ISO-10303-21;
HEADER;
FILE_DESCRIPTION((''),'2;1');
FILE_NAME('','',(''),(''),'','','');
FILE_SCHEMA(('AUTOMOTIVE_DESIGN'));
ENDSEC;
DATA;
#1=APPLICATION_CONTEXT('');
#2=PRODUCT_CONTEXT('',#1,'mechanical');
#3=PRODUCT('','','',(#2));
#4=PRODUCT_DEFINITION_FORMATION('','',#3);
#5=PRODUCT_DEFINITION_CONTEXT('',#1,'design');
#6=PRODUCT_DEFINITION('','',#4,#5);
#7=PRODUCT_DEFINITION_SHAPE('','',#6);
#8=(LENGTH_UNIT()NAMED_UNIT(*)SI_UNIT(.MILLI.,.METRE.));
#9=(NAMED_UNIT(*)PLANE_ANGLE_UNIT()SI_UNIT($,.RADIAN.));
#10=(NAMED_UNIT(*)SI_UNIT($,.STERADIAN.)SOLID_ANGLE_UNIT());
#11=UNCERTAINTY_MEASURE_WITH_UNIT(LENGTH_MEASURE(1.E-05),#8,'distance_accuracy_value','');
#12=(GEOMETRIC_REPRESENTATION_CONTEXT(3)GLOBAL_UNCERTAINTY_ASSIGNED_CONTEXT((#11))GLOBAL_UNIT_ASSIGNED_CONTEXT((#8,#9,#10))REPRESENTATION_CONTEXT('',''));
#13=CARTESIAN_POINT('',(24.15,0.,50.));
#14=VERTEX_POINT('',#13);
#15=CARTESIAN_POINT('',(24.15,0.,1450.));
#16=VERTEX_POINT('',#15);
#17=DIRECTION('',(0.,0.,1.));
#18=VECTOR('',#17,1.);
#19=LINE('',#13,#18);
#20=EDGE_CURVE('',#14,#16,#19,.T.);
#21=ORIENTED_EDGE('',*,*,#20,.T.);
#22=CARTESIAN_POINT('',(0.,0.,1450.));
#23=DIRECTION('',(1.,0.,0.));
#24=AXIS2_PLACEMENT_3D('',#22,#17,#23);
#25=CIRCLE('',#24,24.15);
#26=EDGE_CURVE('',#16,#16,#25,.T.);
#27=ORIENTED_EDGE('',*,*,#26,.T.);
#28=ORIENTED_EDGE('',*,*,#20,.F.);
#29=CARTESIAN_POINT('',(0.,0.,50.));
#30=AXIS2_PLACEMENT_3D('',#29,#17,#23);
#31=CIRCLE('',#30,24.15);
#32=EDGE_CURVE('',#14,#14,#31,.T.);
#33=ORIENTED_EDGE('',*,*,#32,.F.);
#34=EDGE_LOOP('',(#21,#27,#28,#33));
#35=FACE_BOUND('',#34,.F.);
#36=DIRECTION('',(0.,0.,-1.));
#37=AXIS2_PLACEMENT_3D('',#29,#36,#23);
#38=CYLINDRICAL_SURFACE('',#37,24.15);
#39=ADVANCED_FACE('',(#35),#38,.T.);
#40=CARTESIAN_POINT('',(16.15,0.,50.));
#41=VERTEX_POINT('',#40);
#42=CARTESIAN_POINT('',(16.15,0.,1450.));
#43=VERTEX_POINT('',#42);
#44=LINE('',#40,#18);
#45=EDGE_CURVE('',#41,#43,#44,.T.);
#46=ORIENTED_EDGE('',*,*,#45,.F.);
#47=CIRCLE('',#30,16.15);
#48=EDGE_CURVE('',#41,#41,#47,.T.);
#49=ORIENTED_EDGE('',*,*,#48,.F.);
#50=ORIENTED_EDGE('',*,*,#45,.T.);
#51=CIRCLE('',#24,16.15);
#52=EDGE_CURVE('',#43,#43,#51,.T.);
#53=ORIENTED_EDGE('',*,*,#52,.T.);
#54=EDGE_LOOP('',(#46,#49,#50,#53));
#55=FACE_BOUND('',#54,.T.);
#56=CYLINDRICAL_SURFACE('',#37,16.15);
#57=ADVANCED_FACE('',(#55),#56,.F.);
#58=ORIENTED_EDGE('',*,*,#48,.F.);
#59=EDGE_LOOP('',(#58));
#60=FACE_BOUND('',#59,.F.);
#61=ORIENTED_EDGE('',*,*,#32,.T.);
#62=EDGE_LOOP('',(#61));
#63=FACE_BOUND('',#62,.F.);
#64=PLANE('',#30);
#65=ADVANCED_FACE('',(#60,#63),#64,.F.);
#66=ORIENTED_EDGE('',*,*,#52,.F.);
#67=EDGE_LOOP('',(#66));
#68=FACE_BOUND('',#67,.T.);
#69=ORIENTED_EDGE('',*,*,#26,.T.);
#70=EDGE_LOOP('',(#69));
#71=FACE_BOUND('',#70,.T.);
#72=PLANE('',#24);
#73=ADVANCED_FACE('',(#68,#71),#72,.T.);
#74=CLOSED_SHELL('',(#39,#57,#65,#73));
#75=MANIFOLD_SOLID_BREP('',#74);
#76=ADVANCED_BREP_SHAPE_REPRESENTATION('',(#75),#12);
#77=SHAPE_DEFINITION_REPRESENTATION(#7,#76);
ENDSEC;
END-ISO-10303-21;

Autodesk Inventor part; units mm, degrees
ref_plane "Начальная плоскость" through (0, 0, 50) normal (0, 0, 1) x (1, 0, 0)
ref_plane "Конечная плоскость" through (0, 0, 1450) normal (0, 0, 1) x (1, 0, 0)
sketch "Эскиз" plane through (0, 0, 0) normal (0, 0, 1) x (1, 0, 0)
  circle A0 centre (0, 0) radius 16.15
  circle A1 centre (0, 0) radius 24.15
  dimension "d0" = 48.3
  dimension "d1" = 8
extrude "Тело" add sketch "Эскиз" along normal up to surface (1400 mm away) from surface at 50
sketch "Sketch3" plane through (0, 0, 0) normal (0, 0, 1) x (1, 0, 0)
  line L0 (0, 0) -> (10, 0)
ref_plane "Work Plane3" through (0, 0, 0) normal (0, -1, 0) x (1, 0, 0)
sketch "Sketch4" plane through (0, 0, 0) normal (0, -1, 0) x (1, 0, 0)
  line L0 (-2, 50) -> (12, 50)
  line L1 (-2, 1450) -> (12, 1450)
  dimension "d7" = 1400
ref_plane "РабПлоскость4" through (-975, 0, 1450) normal (0, 0, 1) x (1, 0, 0)
split "Разделение1" plane through (-975, 0, 1450) removes the side toward (0, 0, 1)
ref_plane "РабПлоскость5" through (-1025, 0, 50) normal (0, 0, -1) x (-1, 0, 0)
split "Разделение2" plane through (-1025, 0, 50) removes the side toward (0, 0, -1)
equation "\"d0\" = G_H"
equation "\"d1\" = G_T"
equation "\"d2\" = G_L"
equation "\"G_H\" = 48.3"
equation "\"G_T\" = 8"
equation "\"G_L\" = d7"
properties part number "DIN2448 - 48,3 x 8 - 1400" material "Сталь, мягкая"
